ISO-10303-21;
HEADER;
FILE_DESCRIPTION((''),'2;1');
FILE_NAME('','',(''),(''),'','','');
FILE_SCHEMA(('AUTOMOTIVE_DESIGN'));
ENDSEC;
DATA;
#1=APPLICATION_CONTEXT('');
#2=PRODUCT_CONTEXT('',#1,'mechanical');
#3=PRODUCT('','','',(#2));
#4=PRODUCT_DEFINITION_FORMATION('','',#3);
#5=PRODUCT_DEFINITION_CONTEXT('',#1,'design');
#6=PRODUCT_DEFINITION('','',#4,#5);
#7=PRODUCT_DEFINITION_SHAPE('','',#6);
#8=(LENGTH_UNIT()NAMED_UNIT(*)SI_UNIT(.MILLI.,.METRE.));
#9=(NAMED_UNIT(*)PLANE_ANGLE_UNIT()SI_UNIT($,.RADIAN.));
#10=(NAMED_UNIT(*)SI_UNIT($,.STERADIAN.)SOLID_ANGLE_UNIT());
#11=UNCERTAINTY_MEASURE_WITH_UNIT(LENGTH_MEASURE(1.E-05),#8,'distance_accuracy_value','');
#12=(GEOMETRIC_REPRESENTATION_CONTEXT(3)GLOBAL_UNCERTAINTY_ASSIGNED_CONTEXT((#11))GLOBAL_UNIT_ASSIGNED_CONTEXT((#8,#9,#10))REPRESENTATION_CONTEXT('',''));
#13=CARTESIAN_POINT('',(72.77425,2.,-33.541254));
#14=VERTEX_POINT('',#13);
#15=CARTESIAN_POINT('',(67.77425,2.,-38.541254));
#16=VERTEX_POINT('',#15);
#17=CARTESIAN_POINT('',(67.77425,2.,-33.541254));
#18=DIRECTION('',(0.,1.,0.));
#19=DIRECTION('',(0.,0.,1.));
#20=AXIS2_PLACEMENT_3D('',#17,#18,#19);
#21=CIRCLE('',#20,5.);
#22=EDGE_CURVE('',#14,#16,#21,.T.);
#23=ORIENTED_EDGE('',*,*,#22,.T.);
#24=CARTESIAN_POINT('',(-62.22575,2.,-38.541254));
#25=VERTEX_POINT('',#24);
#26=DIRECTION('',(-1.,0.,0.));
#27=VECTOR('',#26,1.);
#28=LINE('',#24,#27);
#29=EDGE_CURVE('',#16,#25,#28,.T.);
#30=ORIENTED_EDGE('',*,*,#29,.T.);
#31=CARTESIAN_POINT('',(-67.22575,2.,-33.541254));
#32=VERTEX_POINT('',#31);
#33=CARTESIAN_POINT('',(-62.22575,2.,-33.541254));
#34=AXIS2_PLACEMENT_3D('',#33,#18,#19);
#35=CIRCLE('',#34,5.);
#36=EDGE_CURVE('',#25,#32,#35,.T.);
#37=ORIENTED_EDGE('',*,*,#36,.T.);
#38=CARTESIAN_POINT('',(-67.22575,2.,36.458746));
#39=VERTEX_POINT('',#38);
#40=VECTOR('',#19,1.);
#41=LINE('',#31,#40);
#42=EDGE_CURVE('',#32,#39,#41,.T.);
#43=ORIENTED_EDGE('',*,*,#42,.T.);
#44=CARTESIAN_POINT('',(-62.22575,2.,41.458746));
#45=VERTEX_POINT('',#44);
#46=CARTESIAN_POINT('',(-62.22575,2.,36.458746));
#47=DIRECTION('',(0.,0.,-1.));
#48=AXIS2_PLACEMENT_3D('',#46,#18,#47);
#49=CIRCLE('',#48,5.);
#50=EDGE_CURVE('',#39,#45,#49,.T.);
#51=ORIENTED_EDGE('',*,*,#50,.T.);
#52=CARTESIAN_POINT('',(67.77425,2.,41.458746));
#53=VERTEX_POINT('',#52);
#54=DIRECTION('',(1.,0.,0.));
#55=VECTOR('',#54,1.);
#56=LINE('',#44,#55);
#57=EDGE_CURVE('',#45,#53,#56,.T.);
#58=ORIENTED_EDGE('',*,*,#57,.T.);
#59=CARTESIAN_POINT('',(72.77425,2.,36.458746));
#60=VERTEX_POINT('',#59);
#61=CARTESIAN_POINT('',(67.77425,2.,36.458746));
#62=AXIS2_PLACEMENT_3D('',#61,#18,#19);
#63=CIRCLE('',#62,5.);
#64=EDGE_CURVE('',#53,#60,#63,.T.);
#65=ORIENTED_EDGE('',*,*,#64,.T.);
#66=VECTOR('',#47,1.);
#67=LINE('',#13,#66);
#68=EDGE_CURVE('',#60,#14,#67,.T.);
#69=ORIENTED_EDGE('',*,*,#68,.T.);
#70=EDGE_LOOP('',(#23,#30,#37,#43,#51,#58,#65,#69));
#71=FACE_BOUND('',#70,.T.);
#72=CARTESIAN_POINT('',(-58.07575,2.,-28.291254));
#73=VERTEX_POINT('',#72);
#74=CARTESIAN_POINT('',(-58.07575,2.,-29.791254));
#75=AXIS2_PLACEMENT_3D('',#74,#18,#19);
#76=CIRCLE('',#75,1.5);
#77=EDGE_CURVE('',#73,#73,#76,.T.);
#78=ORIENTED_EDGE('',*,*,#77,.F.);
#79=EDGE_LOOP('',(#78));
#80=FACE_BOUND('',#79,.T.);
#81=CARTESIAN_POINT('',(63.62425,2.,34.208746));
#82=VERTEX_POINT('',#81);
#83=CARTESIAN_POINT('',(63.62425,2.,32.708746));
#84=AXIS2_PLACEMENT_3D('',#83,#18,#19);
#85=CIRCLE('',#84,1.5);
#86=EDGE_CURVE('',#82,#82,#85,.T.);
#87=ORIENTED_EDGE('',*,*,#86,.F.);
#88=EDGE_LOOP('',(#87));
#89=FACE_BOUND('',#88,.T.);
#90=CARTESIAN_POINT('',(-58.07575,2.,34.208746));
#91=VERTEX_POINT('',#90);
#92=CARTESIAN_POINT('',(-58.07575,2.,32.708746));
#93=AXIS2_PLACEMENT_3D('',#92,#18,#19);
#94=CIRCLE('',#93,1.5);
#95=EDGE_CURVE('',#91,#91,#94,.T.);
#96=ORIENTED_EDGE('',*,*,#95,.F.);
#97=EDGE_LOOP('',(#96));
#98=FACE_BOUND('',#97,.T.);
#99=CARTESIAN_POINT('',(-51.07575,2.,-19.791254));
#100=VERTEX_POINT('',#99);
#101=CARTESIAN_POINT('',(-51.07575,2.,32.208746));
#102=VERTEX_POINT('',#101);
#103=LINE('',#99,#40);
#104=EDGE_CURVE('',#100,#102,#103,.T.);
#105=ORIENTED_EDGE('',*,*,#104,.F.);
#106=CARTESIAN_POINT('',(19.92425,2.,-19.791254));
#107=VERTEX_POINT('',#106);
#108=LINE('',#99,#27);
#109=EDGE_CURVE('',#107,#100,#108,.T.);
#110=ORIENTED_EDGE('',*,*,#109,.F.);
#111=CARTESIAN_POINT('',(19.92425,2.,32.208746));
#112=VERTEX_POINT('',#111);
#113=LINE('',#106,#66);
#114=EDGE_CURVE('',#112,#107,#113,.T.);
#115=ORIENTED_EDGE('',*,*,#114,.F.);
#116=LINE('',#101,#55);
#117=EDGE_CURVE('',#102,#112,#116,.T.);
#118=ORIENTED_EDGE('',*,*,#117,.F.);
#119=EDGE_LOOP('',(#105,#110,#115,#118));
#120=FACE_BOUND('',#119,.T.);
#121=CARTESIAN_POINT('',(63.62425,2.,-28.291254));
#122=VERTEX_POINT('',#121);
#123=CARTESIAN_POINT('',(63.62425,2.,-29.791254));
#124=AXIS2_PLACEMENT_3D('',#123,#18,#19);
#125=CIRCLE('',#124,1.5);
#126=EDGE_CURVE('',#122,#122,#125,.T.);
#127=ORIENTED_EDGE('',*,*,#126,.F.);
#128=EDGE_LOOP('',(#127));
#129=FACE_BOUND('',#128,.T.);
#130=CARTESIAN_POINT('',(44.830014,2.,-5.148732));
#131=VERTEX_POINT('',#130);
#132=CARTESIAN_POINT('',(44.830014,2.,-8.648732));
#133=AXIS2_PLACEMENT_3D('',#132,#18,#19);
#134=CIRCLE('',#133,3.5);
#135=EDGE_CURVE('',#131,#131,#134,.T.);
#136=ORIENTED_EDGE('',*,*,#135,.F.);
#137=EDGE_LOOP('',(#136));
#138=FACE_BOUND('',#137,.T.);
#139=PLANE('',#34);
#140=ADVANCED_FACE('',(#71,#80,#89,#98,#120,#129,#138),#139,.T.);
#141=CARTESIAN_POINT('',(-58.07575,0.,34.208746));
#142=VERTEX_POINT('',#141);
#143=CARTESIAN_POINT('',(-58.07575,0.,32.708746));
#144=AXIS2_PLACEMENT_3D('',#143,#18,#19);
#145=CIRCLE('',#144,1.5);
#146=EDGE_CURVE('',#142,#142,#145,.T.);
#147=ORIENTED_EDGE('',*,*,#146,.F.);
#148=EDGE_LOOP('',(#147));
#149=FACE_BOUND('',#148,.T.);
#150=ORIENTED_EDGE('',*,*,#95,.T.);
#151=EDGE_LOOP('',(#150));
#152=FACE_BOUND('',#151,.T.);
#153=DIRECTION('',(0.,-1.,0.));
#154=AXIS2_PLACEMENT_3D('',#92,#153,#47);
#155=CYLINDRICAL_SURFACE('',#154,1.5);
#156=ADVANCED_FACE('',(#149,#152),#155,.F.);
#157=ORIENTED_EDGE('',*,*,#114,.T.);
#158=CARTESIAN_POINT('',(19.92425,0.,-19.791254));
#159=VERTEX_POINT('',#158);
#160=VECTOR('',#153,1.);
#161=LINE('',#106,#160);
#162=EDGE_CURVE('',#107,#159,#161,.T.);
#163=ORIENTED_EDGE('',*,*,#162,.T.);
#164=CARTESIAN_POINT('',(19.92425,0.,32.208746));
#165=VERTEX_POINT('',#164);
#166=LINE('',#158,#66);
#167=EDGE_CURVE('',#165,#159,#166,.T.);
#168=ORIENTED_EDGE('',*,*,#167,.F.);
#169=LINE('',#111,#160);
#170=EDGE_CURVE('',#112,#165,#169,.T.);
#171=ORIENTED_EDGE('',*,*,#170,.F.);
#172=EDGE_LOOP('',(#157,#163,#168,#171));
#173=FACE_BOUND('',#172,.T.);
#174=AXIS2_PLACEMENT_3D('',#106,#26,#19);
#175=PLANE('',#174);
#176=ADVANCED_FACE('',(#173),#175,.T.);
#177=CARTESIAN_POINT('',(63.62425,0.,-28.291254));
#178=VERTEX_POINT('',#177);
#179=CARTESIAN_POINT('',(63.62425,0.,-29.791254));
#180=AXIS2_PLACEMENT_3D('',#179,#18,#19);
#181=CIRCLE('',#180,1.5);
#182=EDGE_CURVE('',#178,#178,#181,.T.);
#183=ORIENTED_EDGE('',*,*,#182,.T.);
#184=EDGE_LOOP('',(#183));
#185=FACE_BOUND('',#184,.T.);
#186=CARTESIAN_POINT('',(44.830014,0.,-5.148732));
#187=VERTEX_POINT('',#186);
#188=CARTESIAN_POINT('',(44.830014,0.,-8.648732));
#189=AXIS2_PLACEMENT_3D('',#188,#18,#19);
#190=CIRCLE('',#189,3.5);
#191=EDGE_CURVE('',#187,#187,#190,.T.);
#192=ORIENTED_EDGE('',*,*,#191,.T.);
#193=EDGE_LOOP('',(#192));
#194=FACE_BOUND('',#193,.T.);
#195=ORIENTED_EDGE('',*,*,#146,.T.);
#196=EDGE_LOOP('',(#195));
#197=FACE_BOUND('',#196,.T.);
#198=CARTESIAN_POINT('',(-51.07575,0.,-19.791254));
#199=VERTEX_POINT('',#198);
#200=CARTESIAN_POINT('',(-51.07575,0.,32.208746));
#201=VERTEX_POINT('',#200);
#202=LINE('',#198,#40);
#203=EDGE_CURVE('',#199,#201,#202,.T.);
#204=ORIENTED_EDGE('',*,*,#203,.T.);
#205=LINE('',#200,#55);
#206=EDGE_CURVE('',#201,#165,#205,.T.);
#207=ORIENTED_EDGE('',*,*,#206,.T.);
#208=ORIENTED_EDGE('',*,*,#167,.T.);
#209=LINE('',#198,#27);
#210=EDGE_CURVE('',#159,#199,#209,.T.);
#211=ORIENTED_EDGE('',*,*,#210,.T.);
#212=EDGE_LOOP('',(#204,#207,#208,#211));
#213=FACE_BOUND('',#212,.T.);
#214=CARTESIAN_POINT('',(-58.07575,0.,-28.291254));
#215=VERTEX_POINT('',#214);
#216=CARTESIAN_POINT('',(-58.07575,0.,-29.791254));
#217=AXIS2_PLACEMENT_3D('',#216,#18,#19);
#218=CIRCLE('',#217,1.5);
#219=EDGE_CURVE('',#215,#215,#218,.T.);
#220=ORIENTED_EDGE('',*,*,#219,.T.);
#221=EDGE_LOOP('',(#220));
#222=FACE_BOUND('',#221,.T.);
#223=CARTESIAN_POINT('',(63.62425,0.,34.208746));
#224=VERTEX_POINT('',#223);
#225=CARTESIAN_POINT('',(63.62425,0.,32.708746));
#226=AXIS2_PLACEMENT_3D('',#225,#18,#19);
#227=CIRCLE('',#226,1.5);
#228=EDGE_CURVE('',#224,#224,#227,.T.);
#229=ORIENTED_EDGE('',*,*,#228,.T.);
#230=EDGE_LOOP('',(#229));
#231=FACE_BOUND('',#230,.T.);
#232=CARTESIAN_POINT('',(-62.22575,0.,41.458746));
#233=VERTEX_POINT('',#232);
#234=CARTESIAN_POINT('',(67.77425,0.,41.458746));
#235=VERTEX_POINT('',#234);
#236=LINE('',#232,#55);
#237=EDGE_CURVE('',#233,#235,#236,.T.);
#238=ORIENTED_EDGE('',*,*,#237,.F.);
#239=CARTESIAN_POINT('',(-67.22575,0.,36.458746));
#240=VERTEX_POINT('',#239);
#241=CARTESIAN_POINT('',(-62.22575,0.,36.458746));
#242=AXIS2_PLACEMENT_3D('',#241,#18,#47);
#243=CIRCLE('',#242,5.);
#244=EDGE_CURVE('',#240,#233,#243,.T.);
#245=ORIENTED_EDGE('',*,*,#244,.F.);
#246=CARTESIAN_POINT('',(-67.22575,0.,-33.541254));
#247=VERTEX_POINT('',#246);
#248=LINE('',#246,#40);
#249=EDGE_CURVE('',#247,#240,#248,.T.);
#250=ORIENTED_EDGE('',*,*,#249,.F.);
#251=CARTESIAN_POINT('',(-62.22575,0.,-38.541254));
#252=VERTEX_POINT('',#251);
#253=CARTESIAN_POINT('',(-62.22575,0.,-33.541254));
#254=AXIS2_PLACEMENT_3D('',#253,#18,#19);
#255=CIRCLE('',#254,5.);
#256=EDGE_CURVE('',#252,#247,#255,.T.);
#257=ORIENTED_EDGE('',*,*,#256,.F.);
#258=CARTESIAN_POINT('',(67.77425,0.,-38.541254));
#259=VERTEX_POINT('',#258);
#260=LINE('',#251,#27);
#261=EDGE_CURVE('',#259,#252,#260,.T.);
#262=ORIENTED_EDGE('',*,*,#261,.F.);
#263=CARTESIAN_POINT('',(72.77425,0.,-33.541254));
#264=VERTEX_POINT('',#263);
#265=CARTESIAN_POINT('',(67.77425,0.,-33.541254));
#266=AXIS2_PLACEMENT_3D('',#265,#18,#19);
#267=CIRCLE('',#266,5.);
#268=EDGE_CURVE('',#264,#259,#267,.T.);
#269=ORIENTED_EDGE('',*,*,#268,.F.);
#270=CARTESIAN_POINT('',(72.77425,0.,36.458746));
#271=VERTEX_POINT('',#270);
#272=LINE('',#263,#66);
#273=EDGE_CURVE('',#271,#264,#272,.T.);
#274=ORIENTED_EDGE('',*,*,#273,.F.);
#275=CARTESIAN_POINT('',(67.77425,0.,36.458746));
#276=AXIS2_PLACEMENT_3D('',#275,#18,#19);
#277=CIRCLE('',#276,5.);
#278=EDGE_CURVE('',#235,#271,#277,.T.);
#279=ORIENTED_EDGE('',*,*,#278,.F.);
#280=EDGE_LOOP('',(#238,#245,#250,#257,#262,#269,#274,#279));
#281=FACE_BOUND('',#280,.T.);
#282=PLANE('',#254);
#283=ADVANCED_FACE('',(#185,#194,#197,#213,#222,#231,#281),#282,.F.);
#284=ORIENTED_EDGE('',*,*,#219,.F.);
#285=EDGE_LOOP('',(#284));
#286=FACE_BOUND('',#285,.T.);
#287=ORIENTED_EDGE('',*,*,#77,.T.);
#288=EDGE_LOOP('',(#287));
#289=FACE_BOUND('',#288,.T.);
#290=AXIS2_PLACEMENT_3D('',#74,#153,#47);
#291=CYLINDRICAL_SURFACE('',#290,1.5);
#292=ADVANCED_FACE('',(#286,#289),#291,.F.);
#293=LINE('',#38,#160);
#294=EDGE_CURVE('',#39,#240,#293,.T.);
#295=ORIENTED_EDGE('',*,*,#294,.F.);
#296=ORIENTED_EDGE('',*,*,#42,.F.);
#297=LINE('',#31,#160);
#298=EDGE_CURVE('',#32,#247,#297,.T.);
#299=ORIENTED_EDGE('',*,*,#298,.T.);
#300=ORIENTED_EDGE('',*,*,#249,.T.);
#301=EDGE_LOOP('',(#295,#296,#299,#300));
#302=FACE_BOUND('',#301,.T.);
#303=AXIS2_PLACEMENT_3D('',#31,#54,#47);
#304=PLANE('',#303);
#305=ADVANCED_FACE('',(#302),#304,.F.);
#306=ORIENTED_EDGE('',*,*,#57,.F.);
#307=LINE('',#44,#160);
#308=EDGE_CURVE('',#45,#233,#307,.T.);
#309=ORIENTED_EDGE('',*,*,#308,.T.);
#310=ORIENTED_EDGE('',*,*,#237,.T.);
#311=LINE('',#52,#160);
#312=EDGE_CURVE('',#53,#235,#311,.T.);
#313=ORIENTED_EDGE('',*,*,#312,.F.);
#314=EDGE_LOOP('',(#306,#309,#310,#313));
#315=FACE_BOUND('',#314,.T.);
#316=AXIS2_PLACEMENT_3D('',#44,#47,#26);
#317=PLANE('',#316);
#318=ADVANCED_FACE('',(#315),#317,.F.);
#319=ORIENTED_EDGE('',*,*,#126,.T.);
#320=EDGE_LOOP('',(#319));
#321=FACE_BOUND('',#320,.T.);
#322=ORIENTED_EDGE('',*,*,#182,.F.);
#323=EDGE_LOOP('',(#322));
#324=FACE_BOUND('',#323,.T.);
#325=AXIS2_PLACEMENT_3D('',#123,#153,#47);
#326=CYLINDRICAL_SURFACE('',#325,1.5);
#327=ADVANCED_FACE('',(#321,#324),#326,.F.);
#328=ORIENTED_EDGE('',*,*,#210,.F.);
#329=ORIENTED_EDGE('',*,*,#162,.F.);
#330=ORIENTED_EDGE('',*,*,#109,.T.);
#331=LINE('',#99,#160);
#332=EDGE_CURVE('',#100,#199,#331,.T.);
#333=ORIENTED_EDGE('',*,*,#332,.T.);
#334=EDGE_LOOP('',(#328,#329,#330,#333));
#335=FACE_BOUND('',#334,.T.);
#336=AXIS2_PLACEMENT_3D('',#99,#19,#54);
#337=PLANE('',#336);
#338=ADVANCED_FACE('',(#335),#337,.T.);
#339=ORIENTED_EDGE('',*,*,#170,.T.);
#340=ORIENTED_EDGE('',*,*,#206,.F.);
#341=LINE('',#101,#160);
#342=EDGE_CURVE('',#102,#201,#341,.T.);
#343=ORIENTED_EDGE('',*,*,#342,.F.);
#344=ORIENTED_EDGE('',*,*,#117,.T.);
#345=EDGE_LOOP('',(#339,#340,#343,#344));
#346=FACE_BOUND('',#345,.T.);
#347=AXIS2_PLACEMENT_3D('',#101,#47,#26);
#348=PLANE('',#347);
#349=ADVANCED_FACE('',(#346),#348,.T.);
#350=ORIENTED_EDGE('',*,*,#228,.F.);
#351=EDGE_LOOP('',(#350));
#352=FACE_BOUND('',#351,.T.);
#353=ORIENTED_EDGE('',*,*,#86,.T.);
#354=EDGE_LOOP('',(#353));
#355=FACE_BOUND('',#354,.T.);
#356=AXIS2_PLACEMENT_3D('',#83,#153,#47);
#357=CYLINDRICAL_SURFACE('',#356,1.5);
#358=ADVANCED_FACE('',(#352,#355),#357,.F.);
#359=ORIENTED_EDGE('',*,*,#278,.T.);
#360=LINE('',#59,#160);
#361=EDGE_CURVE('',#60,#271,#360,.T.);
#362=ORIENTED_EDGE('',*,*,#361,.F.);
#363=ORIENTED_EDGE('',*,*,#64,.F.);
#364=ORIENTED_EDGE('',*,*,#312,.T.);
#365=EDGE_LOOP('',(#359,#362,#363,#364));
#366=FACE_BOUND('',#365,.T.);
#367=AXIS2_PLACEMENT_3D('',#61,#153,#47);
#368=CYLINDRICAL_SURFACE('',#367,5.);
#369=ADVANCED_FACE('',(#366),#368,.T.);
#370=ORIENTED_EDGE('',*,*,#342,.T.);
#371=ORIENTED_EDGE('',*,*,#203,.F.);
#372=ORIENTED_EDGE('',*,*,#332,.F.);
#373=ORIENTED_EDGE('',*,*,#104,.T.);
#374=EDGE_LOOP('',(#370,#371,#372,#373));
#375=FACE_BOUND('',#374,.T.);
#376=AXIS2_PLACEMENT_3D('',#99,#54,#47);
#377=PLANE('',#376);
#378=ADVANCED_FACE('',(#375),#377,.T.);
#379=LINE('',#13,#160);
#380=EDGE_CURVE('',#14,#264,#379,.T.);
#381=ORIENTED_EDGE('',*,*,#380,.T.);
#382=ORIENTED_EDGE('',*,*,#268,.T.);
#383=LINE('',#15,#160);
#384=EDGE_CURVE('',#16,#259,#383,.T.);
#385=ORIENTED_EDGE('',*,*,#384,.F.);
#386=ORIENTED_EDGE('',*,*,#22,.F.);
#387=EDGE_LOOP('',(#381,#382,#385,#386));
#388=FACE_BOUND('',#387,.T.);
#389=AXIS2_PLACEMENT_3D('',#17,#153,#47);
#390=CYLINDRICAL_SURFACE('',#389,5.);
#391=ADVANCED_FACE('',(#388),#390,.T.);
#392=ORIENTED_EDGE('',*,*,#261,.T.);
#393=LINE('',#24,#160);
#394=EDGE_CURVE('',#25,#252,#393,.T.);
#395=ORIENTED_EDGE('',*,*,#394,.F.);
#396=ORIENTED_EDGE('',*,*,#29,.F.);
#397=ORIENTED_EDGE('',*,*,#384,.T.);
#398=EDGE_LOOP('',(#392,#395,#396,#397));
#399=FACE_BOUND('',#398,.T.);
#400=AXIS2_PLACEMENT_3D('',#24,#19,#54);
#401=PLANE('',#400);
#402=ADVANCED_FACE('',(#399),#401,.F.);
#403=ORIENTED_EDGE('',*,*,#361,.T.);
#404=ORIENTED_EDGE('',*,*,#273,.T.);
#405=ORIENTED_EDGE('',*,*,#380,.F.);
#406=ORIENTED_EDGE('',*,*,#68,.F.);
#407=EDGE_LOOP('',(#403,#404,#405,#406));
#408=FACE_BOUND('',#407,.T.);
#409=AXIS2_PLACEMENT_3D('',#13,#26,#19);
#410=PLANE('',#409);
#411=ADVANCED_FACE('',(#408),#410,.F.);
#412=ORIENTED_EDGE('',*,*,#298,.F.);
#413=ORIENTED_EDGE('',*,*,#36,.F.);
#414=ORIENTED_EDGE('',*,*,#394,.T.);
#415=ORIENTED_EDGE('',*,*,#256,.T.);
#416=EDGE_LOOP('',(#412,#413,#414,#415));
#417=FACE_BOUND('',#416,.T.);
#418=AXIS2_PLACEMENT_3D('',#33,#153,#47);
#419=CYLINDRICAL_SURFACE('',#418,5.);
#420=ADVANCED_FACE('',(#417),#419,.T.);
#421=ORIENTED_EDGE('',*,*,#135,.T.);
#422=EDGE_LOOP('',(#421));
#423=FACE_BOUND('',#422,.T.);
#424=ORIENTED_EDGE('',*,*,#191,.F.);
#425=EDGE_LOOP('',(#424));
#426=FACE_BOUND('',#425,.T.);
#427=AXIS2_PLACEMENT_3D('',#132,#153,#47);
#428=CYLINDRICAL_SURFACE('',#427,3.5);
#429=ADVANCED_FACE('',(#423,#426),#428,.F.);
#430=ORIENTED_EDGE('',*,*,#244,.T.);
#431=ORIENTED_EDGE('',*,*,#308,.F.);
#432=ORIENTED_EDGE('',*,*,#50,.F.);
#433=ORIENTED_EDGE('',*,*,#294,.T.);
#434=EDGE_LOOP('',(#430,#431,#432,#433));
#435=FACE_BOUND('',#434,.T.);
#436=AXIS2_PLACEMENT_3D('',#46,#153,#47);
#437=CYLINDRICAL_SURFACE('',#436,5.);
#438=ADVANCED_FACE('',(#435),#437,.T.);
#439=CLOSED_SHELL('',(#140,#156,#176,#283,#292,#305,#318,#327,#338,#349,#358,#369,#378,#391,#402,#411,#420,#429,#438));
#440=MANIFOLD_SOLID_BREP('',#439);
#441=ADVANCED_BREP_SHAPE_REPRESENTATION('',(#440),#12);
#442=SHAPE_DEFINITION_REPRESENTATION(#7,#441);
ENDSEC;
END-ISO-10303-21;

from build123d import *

# Parameters (mm, degrees)
SKETCH2_R           = 1.5
SKETCH2_R_2         = 3.5
SKETCH2_W           = 71
SKETCH2_H           = 52
BOSS_EXTRUDE1_DEPTH = 2


with BuildPart() as part:
    # Sketch2 → Boss-Extrude1 (new body)
    with BuildSketch(Plane(origin=(0, 0, 0), x_dir=(1, 0, 0), z_dir=(0, 1, 0))):
        with BuildLine():
            Line((-62.225750218, 38.541254469), (67.774249782, 38.541254469))
            ThreePointArc((67.774249782, 38.541254469), (71.309783688, 37.076788375), (72.774249782, 33.541254469))
            Line((72.774249782, 33.541254469), (72.774249782, -36.458745531))
            ThreePointArc((72.774249782, -36.458745531), (71.309783688, -39.994279437), (67.774249782, -41.458745531))
            Line((67.774249782, -41.458745531), (-62.225750218, -41.458745531))
            ThreePointArc((-62.225750218, -41.458745531), (-65.761284124, -39.994279437), (-67.225750218, -36.458745531))
            Line((-67.225750218, -36.458745531), (-67.225750218, 33.541254469))
            ThreePointArc((-67.225750218, 33.541254469), (-65.761284124, 37.076788375), (-62.225750218, 38.541254469))
        make_face()
        with Locations(Location((-58.075750218, 29.791254469, 0), (0, 0, 270))):
            Circle(SKETCH2_R, mode=Mode.SUBTRACT)
        with Locations(Location((63.624249782, 29.791254469, 0), (0, 0, 270))):
            Circle(SKETCH2_R, mode=Mode.SUBTRACT)
        with Locations(Location((-58.075750218, -32.708745531, 0), (0, 0, 270))):
            Circle(SKETCH2_R, mode=Mode.SUBTRACT)
        with Locations(Location((63.624249782, -32.708745531, 0), (0, 0, 270))):
            Circle(SKETCH2_R, mode=Mode.SUBTRACT)
        with Locations(Location((44.830013856, 8.6487321, 0), (0, 0, 270))):
            Circle(SKETCH2_R_2, mode=Mode.SUBTRACT)
        with Locations((-15.575750218, -6.208745531)):
            Rectangle(SKETCH2_W, SKETCH2_H, mode=Mode.SUBTRACT)
    extrude(amount=BOSS_EXTRUDE1_DEPTH)


solid = part.part
